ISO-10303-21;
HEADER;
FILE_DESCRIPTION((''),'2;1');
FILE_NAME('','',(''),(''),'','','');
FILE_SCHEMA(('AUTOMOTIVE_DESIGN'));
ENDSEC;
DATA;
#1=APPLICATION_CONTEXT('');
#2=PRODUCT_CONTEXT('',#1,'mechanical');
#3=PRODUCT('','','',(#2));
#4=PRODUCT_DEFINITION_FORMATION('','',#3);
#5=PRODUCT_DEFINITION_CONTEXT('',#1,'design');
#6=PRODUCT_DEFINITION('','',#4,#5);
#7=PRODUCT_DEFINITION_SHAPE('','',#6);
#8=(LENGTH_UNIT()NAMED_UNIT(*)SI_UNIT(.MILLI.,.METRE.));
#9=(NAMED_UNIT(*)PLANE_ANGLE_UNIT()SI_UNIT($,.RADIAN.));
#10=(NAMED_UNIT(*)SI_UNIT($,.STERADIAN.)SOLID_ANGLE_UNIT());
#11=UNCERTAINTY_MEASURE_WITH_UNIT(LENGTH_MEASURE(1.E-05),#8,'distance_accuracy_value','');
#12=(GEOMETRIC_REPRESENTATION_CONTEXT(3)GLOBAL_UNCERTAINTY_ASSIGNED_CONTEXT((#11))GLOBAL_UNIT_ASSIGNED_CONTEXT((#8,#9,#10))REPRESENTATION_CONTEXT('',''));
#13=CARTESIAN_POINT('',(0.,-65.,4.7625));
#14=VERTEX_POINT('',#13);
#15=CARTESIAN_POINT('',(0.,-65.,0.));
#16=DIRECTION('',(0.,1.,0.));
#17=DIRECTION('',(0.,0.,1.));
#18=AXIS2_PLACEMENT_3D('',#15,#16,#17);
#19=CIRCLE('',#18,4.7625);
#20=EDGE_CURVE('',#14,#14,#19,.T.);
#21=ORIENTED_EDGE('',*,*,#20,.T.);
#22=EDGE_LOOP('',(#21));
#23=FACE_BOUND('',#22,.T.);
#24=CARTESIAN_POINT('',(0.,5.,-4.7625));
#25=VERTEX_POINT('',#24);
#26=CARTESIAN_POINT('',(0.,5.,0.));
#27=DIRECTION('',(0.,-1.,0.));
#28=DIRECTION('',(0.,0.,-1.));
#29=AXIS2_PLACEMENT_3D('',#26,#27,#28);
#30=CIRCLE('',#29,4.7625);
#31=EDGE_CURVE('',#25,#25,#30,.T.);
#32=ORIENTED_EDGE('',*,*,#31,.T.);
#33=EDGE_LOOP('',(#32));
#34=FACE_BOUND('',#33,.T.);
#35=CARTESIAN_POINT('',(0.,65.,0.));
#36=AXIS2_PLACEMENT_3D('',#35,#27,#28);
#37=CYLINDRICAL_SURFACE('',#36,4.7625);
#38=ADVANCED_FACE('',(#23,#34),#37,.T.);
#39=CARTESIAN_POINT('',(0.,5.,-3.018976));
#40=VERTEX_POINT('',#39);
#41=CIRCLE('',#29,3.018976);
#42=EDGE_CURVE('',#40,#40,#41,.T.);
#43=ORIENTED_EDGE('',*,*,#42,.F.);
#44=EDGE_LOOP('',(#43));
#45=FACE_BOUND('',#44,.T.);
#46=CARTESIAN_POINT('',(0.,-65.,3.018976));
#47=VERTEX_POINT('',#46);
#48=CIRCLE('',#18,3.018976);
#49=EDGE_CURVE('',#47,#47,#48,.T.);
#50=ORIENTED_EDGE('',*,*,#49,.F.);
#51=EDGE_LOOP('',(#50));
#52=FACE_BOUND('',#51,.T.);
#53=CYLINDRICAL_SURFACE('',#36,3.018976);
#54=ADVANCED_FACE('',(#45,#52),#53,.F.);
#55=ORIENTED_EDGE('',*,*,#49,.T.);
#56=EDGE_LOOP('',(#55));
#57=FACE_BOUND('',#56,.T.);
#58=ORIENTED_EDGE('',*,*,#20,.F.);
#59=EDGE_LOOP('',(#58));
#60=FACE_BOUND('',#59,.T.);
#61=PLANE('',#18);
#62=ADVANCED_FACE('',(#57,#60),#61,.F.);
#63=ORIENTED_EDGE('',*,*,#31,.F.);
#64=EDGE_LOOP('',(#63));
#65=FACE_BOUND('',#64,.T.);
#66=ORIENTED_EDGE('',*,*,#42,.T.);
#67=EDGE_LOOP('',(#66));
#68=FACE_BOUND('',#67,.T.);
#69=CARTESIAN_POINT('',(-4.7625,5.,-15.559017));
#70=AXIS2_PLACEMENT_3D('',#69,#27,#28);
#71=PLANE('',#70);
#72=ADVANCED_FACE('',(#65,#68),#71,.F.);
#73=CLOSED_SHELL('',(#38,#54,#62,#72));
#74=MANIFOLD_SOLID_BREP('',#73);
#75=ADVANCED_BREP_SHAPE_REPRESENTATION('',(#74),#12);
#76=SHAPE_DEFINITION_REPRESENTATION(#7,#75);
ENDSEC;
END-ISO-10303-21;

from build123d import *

# Parameters (mm, degrees)
SKETCH1_R               = 4.7625
SKETCH1_R_2             = 3.018976491
BOSS_EXTRUDE1_DEPTH     = 65
SKETCH5_W               = 36.473052953
SKETCH5_H               = 81.397778837
CUT_EXTRUDE2_DEPTH      = 5.7625
CUT_EXTRUDE2_DEPTH_BACK = 5.7625


with BuildPart() as part:
    # Sketch1 → Boss-Extrude1 (new body, symmetric)
    with BuildSketch(Plane(origin=(0, 0, 0), x_dir=(1, 0, 0), z_dir=(0, 1, 0))):
        Circle(SKETCH1_R)
        Circle(SKETCH1_R_2, mode=Mode.SUBTRACT)
    extrude(amount=BOSS_EXTRUDE1_DEPTH, both=True)

    # Sketch5 → Cut-Extrude2 (cut, two sides)
    with BuildSketch(Plane(origin=(0, 0, 0), x_dir=(0, 0, -1), z_dir=(1, 0, 0))) as cut_extrude2_sk:
        with Locations((-2.67750977, 45.698889419)):
            Rectangle(SKETCH5_W, SKETCH5_H)
    extrude(amount=CUT_EXTRUDE2_DEPTH, mode=Mode.SUBTRACT)
    extrude(cut_extrude2_sk.sketch, amount=-CUT_EXTRUDE2_DEPTH_BACK, mode=Mode.SUBTRACT)


solid = part.part
